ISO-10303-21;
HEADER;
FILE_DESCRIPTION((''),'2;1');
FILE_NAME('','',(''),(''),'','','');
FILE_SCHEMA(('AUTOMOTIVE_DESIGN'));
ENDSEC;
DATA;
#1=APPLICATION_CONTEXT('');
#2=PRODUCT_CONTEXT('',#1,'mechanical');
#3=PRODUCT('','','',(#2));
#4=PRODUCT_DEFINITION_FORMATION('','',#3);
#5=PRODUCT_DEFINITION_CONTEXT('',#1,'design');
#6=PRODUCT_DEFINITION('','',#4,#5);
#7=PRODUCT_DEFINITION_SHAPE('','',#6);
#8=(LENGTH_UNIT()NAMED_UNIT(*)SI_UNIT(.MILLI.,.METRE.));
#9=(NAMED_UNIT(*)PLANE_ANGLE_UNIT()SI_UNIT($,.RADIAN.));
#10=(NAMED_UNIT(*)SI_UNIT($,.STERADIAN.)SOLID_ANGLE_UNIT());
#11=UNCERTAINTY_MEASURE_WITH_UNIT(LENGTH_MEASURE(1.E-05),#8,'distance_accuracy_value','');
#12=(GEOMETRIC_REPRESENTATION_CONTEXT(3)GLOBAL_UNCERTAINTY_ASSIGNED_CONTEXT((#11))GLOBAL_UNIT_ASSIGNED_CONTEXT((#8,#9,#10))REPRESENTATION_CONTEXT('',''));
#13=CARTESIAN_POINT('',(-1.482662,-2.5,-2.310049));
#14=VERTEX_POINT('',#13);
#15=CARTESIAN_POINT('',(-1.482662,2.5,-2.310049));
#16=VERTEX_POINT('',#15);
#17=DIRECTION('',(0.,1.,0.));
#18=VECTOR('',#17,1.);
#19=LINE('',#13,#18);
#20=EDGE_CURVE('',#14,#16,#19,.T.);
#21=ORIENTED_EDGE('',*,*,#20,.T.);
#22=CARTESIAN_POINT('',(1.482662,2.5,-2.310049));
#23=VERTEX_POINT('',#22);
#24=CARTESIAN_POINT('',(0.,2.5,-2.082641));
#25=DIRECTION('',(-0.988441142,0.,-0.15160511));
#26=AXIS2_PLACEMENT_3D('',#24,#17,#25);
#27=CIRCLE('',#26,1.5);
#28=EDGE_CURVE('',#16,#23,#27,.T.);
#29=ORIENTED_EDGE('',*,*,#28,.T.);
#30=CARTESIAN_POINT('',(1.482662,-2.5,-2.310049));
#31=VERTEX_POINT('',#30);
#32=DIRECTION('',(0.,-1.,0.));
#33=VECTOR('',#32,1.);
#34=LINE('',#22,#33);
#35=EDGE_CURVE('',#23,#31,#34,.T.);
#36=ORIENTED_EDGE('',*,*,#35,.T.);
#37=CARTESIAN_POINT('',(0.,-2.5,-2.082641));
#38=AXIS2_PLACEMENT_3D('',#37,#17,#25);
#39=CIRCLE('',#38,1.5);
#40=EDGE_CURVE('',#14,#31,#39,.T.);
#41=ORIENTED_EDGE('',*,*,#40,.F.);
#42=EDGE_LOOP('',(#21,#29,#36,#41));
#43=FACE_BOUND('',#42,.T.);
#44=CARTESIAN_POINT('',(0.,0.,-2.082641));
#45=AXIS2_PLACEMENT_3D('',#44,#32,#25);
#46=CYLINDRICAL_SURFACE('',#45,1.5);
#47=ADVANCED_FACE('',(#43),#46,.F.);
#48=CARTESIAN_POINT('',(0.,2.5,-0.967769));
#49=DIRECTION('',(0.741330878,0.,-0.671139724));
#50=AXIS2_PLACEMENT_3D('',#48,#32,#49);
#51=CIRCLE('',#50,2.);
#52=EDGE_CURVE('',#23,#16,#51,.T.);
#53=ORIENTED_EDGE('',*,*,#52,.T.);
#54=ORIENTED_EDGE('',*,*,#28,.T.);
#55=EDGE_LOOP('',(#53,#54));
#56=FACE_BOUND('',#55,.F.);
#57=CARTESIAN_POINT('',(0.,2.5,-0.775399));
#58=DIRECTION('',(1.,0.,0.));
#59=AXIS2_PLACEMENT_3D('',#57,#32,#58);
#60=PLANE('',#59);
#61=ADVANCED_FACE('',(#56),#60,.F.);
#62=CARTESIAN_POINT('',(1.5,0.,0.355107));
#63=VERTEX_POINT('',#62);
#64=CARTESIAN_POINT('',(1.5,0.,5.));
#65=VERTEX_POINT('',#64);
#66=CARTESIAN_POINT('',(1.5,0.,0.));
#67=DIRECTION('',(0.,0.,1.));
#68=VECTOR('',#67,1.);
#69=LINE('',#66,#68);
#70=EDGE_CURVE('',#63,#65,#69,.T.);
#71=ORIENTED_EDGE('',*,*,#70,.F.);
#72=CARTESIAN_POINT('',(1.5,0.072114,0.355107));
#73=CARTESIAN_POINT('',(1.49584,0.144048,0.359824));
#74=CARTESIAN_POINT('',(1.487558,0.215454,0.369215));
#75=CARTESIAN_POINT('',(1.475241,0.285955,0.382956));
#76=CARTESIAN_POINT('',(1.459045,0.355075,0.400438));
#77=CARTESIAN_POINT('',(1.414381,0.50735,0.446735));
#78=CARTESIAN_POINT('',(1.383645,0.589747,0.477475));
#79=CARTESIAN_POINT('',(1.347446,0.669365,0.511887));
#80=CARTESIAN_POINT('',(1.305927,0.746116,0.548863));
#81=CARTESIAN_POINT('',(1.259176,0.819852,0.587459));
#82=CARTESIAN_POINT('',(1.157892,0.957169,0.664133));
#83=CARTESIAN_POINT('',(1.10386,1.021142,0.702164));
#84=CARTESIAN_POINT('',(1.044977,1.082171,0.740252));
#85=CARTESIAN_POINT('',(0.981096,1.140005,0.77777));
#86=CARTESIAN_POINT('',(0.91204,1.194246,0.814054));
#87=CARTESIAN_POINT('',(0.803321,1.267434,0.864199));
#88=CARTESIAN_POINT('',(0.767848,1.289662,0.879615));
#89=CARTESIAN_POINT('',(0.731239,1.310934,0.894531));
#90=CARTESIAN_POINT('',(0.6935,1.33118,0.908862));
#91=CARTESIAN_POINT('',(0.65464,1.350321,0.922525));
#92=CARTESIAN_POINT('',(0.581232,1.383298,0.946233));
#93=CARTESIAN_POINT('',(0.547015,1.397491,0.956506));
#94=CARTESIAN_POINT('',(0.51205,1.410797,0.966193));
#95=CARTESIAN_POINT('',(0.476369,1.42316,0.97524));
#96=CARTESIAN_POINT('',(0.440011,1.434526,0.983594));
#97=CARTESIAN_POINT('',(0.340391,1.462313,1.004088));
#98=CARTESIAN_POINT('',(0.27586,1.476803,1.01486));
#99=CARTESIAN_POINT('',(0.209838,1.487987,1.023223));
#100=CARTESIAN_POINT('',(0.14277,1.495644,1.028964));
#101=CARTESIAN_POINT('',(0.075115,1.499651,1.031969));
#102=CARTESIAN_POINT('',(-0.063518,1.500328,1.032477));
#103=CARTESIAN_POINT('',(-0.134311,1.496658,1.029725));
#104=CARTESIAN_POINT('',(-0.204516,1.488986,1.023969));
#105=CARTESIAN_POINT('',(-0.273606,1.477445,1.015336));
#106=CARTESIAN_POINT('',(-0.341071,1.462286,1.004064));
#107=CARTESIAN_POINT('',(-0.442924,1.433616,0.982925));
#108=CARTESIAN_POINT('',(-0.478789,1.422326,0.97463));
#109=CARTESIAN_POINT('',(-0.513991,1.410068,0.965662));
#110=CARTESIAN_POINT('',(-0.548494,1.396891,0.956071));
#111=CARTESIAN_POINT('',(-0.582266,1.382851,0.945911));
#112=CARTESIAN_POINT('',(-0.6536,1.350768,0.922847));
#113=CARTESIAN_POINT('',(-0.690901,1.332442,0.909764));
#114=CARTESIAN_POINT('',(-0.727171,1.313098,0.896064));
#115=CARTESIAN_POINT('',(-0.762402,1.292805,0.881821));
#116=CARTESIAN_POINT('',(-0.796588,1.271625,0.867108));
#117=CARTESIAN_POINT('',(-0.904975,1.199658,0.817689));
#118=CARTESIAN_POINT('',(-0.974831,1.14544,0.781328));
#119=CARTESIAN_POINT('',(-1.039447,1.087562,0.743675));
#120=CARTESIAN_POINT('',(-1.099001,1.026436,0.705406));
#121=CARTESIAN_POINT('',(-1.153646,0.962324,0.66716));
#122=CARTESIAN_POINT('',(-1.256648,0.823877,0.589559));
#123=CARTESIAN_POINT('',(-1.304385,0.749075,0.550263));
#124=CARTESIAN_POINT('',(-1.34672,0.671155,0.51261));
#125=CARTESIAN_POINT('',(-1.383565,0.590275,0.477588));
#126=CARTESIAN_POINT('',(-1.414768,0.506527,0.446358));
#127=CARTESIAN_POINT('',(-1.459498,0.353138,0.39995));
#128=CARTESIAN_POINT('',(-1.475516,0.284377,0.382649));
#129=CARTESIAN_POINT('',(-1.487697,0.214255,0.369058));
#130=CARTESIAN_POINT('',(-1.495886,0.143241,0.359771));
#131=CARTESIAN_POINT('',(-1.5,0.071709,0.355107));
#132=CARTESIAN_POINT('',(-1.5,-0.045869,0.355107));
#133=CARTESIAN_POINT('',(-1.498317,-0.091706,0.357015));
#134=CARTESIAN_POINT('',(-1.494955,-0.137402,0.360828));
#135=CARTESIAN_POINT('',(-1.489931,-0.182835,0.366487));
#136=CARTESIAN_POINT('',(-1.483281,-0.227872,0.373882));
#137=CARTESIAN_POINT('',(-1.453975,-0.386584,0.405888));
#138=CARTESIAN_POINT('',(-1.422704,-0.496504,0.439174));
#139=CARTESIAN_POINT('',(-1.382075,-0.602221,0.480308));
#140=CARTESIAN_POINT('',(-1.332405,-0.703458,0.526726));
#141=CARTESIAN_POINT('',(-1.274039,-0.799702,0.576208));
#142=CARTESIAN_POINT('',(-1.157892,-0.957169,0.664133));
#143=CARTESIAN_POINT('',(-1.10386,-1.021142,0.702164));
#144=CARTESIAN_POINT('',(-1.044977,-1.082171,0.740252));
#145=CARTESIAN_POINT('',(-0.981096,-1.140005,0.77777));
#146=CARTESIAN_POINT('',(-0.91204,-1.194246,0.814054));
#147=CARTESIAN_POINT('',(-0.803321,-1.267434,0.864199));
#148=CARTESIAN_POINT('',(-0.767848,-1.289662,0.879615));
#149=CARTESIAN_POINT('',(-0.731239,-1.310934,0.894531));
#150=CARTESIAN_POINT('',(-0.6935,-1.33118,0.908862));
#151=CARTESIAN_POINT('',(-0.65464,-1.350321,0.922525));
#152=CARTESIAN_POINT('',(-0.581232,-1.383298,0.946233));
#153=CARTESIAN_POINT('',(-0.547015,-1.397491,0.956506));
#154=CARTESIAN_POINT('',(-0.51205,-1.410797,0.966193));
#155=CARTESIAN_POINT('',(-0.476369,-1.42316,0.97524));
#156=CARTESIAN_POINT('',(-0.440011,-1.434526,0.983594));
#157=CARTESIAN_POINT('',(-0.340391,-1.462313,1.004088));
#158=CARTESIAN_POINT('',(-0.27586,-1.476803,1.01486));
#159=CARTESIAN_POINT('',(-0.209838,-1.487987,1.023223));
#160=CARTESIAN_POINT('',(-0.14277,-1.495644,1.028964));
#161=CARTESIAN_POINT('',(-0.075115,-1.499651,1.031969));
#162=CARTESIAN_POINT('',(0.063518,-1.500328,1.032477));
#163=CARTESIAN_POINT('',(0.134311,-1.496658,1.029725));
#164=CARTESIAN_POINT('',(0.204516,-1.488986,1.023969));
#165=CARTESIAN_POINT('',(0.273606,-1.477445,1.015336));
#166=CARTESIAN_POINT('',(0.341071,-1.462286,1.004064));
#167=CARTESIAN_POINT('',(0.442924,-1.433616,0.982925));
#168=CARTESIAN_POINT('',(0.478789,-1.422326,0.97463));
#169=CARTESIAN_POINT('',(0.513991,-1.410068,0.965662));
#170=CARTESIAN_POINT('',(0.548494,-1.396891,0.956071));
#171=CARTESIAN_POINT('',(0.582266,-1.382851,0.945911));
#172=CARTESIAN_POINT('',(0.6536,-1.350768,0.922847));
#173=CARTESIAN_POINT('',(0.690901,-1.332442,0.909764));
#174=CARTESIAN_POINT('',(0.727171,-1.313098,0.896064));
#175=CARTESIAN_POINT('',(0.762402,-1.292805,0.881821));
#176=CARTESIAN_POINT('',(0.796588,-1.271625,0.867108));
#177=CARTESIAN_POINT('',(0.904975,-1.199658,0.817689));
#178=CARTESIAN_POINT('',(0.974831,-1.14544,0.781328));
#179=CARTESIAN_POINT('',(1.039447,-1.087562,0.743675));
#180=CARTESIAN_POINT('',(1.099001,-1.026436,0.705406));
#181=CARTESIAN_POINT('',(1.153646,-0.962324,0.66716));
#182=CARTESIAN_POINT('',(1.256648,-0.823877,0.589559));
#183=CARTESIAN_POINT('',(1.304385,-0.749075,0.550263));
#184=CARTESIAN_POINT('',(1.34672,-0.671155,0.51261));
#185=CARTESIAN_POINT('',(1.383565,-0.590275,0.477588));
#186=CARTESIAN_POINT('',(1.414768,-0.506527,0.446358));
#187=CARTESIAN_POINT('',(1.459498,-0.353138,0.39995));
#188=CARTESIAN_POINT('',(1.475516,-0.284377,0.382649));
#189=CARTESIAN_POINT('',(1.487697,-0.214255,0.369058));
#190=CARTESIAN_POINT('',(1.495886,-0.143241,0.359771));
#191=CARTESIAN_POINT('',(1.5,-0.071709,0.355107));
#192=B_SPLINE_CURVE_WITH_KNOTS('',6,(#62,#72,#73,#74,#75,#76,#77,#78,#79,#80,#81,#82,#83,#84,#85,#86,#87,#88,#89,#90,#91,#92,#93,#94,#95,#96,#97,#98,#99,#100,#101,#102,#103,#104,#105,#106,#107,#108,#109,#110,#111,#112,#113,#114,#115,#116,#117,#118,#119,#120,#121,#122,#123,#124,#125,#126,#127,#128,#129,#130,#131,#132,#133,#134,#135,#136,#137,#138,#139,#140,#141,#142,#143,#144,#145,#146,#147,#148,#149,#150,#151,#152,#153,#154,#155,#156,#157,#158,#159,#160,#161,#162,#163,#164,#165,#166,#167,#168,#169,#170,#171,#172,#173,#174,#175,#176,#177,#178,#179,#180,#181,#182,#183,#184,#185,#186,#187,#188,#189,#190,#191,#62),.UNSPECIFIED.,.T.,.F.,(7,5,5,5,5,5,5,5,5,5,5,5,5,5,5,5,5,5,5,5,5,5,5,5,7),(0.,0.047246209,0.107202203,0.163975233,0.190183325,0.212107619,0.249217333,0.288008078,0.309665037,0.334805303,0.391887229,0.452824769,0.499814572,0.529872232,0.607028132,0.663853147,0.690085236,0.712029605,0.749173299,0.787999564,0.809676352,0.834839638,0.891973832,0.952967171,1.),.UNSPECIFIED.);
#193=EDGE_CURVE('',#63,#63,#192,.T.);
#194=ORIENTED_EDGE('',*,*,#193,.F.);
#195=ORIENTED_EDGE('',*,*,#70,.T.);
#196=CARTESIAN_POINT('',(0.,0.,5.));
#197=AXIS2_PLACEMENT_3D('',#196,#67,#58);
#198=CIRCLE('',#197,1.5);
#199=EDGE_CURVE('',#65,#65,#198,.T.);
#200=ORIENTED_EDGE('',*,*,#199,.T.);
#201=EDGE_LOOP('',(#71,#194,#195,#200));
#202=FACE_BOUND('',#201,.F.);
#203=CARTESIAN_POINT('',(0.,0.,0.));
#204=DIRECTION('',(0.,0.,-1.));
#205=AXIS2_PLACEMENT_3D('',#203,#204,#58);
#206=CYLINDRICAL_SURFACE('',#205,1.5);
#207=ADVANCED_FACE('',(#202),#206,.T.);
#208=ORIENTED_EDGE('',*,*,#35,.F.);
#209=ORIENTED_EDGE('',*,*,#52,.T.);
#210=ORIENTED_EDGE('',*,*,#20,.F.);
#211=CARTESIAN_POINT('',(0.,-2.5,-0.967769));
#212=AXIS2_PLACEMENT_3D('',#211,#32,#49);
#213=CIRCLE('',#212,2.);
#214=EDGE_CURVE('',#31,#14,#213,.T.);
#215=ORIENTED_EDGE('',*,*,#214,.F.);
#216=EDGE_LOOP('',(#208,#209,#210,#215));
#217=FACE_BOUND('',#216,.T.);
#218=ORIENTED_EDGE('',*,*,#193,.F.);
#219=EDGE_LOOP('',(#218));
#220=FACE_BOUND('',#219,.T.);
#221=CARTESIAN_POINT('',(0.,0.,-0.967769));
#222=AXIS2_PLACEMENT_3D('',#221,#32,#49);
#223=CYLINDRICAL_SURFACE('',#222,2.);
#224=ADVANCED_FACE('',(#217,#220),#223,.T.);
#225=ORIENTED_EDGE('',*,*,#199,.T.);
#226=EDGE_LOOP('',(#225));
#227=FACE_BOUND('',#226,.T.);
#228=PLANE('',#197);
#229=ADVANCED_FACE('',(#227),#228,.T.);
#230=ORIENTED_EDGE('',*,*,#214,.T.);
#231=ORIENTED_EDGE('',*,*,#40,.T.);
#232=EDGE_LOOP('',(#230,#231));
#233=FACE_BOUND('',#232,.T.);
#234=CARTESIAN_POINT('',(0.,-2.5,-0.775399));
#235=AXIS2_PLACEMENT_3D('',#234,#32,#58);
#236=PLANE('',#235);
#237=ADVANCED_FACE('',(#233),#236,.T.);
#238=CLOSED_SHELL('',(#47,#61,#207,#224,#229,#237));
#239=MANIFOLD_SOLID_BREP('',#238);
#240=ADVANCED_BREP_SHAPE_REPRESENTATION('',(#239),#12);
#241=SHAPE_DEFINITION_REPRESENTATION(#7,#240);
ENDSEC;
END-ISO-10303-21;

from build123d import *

# Parameters (mm, degrees)
F1_DEPTH = 2.5
F2_R     = 1.5
F3_DEPTH = 5


with BuildPart() as f1:
    # F0 (on Front) → F1 (new body, symmetric)
    with BuildSketch(Plane.XZ):
        with BuildLine():
            ThreePointArc((-1.482662, -2.310049), (0, -0.582641), (1.482662, -2.310049))
            ThreePointArc((1.482662, -2.310049), (0, 1.032231), (-1.482662, -2.310049))
        make_face()
    extrude(amount=F1_DEPTH, both=True)

    # F2 (on Top) → F3 (join)
    with BuildSketch(Plane.XY):
        Circle(F2_R)
    extrude(amount=F3_DEPTH)


solid = f1.part
